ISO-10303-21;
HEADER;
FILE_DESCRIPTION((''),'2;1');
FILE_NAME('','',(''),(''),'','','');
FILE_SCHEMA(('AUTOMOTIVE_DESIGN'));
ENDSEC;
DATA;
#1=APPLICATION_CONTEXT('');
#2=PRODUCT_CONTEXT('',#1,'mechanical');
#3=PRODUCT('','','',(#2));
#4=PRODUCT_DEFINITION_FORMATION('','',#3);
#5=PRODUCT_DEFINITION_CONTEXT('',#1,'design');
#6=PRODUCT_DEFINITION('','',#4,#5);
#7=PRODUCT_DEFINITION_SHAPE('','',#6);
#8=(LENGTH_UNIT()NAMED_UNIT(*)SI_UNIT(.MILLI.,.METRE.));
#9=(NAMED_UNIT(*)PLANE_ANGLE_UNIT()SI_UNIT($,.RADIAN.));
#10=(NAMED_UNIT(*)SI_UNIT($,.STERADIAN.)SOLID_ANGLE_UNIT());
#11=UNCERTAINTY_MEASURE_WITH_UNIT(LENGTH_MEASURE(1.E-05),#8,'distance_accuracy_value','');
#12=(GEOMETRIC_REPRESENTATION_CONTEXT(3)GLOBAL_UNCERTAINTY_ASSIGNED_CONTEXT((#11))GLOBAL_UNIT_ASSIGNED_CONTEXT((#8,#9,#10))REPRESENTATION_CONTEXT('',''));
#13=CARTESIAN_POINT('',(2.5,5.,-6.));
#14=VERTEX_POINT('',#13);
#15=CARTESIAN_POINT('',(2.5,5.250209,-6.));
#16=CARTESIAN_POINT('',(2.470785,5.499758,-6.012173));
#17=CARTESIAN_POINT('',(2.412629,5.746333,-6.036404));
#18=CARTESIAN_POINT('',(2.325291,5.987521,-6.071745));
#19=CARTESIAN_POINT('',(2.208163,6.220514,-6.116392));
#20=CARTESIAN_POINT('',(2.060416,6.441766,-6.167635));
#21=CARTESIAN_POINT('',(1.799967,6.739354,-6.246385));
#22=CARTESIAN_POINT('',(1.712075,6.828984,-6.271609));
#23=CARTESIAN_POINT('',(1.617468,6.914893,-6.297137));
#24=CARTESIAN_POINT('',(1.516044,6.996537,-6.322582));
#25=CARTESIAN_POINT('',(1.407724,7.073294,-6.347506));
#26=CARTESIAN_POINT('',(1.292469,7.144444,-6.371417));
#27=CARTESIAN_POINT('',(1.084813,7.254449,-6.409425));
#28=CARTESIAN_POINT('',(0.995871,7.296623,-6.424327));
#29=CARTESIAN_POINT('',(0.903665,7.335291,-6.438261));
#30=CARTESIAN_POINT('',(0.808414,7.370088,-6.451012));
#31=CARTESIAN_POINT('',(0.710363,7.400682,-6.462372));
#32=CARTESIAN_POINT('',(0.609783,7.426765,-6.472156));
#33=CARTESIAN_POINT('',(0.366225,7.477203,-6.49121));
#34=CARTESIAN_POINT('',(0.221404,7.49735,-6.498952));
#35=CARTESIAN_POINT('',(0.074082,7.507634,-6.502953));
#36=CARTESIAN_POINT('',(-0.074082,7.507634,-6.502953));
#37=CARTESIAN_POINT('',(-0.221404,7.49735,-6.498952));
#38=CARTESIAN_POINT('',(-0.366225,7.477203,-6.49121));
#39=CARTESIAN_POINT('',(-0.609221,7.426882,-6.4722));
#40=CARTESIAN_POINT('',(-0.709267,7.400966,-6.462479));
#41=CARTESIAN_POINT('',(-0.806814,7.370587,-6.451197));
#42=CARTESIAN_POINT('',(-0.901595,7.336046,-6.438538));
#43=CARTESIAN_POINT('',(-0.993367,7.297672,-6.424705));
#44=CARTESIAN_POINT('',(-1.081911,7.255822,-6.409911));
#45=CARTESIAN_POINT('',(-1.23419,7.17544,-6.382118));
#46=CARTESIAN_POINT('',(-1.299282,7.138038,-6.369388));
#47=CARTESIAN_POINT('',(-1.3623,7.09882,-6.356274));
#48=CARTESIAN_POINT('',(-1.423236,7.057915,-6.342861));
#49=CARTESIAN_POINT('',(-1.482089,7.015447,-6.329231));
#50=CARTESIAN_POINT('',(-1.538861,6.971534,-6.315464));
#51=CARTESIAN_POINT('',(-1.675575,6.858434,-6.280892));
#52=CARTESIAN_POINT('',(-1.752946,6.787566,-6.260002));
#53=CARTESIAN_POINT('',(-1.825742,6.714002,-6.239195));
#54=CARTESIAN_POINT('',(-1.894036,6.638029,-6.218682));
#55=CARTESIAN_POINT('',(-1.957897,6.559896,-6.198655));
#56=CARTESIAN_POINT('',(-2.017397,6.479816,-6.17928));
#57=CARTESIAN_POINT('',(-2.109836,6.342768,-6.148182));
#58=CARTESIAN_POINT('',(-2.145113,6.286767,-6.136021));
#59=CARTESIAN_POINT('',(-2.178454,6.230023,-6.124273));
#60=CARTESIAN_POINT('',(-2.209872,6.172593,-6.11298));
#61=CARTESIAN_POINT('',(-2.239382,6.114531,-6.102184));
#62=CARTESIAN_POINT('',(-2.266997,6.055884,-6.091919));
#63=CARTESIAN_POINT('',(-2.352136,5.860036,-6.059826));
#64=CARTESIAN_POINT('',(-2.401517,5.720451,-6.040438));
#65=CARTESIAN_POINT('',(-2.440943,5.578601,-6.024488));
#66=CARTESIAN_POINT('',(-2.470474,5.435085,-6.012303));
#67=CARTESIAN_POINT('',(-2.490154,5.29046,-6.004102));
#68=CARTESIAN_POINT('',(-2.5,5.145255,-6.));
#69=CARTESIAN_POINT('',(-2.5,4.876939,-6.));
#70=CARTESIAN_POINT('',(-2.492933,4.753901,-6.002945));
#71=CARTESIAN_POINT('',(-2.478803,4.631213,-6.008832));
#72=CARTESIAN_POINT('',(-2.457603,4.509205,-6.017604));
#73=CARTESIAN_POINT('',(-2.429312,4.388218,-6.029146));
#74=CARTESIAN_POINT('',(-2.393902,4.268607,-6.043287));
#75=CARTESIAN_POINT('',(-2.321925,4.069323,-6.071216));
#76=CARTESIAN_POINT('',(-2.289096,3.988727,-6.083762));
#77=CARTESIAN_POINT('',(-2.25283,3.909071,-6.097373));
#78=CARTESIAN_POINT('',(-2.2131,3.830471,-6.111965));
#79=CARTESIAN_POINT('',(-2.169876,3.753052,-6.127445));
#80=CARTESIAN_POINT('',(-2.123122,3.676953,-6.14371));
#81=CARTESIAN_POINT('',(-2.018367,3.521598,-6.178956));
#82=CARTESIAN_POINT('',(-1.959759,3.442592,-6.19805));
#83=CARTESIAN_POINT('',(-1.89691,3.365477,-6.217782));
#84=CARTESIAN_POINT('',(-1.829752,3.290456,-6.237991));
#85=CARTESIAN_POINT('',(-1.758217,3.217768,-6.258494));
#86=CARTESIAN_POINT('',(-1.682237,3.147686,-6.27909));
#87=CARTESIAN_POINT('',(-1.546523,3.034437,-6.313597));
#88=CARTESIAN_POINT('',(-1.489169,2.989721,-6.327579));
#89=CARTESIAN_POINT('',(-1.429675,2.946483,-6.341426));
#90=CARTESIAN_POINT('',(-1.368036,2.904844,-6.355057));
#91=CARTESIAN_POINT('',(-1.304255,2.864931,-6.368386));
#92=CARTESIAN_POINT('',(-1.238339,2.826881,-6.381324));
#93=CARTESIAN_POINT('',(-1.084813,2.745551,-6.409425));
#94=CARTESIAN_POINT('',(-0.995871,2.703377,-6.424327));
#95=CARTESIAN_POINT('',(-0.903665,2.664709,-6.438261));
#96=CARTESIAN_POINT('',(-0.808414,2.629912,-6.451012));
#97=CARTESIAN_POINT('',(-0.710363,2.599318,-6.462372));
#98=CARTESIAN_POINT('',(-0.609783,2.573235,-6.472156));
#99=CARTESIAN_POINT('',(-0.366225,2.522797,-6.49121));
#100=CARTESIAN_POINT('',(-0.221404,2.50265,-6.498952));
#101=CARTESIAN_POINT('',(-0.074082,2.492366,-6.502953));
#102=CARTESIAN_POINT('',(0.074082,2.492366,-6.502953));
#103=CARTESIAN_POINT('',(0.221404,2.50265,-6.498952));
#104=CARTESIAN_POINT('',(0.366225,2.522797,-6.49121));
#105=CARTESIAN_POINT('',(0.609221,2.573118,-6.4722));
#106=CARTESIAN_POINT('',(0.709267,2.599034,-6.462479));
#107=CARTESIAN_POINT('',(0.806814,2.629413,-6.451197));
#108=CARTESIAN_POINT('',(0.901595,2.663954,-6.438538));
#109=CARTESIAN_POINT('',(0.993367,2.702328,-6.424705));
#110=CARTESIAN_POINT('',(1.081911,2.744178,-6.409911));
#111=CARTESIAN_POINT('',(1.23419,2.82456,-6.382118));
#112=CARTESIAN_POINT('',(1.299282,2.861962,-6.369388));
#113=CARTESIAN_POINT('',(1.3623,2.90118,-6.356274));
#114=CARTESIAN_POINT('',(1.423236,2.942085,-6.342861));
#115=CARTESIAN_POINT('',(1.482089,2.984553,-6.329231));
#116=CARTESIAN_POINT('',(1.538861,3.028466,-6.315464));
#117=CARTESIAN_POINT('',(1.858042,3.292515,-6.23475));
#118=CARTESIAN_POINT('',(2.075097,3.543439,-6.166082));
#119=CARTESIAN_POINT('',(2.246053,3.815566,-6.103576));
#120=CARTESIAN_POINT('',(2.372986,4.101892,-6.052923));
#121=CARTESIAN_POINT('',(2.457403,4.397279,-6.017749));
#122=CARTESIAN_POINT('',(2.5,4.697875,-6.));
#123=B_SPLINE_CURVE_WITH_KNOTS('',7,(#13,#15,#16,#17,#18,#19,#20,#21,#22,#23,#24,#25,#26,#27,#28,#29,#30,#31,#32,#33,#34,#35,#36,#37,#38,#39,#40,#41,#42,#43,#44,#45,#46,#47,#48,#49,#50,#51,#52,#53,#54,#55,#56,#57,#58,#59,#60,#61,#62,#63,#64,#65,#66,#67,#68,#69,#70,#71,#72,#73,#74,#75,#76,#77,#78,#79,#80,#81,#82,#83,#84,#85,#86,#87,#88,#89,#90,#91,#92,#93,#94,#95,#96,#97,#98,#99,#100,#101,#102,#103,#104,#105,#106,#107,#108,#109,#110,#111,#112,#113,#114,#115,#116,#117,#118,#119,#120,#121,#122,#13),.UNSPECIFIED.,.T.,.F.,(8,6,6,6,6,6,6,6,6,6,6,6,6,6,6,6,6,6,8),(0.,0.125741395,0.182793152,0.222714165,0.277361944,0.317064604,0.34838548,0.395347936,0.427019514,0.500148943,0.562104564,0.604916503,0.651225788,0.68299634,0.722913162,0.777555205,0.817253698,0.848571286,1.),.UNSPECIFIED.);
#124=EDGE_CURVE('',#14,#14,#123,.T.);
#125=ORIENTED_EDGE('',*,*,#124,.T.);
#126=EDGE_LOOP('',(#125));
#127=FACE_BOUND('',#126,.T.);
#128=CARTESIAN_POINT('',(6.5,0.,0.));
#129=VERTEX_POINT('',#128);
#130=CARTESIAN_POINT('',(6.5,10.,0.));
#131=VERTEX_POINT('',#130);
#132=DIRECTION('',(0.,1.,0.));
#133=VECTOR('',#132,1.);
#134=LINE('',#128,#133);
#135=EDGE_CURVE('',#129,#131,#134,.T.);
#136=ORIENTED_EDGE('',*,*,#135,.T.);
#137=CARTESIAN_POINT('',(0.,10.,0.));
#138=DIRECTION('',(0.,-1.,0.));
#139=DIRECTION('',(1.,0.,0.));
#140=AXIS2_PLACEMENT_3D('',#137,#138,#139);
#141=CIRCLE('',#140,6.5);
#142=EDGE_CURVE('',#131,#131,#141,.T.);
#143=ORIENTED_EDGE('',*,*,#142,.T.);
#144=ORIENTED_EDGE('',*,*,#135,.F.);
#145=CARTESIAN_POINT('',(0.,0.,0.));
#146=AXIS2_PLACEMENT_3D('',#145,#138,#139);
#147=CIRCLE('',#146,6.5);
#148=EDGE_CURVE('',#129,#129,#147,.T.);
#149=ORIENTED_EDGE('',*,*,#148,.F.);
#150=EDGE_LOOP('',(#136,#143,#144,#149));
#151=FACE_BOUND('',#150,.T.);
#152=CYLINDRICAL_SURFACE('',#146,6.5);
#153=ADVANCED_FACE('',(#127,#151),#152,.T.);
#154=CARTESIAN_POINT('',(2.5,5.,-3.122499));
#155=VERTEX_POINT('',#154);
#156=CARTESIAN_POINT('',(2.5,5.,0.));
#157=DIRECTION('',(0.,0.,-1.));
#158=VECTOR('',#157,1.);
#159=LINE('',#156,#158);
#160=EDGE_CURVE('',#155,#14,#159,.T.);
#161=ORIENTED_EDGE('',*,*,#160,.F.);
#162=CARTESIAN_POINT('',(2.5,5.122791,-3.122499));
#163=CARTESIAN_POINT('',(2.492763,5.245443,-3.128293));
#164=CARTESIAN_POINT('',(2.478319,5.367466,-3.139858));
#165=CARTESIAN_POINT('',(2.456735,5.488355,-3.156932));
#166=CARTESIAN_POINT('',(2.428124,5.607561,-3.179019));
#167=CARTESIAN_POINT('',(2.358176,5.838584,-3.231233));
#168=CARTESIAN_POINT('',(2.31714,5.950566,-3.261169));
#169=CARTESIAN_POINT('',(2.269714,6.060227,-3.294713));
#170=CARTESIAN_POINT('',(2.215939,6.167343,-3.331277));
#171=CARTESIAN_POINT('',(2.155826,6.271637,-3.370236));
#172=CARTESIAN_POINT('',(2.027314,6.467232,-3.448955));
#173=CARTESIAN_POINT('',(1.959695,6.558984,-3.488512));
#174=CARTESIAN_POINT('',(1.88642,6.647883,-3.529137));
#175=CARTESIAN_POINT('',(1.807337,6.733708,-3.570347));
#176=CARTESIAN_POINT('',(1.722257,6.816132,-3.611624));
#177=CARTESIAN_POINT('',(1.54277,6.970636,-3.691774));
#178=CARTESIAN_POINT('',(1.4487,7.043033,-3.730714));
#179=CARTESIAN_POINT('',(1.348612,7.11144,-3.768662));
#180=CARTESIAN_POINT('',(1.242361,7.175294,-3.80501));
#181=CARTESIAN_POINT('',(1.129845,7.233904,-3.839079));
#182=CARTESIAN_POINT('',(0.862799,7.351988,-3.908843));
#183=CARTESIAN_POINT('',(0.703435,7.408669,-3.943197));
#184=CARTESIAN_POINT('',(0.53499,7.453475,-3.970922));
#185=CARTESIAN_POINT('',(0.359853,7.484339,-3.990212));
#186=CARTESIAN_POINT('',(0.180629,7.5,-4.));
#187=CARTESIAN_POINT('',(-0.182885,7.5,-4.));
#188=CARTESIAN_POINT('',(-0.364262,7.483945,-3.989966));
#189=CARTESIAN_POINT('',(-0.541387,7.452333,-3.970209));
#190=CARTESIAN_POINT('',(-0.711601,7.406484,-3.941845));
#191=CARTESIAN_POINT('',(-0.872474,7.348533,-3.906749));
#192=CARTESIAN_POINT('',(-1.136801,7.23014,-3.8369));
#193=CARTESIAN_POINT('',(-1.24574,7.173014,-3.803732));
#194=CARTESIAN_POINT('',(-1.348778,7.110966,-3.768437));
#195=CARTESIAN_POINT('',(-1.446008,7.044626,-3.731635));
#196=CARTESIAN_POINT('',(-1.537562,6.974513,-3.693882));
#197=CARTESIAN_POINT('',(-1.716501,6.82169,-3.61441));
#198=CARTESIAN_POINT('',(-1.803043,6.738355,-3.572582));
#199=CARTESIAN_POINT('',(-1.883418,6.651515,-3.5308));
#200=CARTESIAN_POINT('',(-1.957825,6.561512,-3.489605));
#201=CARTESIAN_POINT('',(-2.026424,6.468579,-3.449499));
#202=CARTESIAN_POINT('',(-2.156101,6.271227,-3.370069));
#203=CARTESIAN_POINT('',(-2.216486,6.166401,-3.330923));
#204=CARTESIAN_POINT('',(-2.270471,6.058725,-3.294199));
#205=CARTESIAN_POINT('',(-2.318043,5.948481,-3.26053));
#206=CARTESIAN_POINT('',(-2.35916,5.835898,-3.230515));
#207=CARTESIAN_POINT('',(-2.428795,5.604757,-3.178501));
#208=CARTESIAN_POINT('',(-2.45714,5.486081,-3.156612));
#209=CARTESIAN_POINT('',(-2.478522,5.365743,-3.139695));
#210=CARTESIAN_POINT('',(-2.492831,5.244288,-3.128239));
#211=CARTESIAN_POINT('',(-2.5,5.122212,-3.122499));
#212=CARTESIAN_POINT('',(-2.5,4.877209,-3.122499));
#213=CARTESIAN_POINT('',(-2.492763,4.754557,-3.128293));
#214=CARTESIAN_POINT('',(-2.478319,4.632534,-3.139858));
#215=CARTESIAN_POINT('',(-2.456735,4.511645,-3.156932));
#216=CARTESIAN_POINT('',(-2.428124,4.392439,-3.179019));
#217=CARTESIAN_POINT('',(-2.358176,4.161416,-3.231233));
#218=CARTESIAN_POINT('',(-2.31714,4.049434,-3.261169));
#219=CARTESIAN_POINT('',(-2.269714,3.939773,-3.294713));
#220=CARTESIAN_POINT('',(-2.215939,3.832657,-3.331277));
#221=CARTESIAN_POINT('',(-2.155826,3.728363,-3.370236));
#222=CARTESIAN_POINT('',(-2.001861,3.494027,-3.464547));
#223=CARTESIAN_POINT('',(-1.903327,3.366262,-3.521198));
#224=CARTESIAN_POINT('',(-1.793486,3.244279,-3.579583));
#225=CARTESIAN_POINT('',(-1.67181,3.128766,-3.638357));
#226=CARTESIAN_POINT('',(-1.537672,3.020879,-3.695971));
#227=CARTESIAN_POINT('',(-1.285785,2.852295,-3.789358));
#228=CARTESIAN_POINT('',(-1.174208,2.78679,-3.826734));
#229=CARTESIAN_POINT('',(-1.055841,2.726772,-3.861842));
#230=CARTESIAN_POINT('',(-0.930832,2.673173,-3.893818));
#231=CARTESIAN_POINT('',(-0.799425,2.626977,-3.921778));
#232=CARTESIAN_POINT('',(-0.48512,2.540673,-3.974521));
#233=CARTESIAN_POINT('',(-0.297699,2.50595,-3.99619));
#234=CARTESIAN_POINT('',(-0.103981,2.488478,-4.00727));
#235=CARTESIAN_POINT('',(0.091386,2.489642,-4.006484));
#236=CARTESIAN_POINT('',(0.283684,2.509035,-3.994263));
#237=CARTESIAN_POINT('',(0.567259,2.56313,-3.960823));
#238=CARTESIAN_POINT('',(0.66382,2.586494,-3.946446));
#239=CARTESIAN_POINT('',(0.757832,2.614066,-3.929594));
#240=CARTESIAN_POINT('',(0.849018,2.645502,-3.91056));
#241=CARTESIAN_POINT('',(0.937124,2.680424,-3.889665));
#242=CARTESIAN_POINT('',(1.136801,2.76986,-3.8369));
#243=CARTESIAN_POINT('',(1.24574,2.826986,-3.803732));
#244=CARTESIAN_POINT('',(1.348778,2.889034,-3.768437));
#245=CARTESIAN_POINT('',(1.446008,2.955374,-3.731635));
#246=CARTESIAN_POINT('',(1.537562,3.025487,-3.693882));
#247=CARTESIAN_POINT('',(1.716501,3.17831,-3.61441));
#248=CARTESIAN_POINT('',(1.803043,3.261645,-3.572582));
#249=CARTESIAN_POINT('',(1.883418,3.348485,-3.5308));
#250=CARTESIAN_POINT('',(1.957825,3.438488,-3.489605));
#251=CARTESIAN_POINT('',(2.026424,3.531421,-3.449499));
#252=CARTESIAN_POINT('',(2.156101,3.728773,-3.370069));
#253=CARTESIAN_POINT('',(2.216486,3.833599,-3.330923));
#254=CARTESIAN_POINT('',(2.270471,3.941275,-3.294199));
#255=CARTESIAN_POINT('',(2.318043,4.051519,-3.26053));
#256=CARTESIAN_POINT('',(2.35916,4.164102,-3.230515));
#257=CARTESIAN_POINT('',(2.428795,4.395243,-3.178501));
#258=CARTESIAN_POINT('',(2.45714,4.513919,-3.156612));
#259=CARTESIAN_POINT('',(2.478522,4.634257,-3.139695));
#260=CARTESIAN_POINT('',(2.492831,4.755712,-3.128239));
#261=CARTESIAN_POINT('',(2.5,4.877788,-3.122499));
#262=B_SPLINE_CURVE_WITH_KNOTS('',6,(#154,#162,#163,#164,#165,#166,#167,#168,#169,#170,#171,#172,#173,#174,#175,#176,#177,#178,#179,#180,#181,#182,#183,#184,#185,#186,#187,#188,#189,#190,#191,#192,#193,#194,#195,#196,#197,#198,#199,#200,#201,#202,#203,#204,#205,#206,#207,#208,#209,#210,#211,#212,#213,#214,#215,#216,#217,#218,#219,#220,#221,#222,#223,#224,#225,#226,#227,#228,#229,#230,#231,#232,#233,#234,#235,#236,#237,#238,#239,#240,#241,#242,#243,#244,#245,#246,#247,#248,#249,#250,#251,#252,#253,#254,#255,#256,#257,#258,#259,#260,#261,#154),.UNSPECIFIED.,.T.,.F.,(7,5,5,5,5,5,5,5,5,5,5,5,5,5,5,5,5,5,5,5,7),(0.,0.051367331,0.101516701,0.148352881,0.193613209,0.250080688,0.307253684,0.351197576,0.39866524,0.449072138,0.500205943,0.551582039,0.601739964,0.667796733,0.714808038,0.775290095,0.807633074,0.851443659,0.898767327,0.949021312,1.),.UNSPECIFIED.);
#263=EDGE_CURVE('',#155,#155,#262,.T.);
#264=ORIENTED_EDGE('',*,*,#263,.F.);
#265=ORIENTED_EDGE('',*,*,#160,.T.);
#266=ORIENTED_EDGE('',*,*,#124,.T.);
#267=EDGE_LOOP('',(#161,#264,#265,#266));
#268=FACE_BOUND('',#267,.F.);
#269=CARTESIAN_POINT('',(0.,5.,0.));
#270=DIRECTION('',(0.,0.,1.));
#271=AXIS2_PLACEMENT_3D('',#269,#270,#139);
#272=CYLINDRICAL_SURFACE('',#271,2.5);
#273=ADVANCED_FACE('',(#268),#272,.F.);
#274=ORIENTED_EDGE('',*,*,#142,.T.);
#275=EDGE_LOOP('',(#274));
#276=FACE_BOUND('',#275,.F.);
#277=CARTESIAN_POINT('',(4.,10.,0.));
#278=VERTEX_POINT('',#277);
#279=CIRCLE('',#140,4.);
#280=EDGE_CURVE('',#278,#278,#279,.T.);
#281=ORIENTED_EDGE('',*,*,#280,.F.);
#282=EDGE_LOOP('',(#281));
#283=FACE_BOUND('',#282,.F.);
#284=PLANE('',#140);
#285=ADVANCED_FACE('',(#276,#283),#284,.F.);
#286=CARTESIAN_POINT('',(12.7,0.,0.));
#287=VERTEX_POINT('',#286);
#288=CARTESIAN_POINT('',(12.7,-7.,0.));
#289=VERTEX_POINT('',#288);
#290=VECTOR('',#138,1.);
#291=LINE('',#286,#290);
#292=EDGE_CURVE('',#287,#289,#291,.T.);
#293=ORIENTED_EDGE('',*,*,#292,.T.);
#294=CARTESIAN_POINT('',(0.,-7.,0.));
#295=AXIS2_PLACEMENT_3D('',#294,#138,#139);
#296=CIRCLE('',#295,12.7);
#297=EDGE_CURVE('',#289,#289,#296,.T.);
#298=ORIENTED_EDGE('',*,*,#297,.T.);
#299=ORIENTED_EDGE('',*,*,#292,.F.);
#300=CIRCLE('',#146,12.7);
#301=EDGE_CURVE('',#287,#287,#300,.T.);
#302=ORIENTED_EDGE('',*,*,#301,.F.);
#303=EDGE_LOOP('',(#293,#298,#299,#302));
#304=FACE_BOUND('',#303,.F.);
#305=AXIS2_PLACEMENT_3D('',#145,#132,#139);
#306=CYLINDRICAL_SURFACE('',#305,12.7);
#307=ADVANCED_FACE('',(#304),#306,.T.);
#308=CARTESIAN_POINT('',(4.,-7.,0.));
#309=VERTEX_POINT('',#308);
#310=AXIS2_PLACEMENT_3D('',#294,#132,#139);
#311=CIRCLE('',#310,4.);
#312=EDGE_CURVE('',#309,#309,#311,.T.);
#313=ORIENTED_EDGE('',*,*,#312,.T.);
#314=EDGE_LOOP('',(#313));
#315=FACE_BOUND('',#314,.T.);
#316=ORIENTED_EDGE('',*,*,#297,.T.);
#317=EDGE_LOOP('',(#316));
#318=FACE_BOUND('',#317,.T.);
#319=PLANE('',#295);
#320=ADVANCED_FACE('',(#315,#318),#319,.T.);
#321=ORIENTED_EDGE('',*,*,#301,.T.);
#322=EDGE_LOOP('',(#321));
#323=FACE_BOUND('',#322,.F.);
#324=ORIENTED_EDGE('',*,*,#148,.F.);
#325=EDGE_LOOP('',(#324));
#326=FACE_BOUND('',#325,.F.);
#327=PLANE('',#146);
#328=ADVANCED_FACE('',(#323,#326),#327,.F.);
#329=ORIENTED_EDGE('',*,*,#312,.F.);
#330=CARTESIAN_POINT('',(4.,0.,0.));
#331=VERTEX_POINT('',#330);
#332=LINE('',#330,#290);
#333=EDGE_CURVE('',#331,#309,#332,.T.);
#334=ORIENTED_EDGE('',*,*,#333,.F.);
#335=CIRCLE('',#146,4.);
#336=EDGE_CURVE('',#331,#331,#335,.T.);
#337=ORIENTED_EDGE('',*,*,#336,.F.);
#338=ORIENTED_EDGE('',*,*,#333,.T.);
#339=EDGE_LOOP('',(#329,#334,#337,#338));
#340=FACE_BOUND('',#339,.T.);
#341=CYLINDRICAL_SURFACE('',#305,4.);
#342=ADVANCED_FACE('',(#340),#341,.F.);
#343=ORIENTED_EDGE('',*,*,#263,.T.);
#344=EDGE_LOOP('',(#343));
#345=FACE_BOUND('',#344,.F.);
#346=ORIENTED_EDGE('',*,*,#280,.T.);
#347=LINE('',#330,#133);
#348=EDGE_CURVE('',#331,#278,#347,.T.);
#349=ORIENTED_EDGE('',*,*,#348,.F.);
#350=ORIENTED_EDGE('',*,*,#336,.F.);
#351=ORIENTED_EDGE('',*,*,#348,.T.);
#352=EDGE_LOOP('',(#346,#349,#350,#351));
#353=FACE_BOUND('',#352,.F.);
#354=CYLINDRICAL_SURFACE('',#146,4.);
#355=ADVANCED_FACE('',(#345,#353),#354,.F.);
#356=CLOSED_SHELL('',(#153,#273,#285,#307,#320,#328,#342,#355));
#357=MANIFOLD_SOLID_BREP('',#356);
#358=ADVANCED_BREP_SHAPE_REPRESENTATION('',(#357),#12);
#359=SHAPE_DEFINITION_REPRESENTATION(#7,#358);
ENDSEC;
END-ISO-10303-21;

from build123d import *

# Parameters (mm, degrees)
F0_R     = 12.7
F1_DEPTH = 7
F2_R     = 6.5
F3_DEPTH = 10
F4_R     = 4
F5_DEPTH = 10.001
F6_DEPTH = 7.001
F8_D     = 5
F8_DEPTH = 12.701


with BuildPart() as f1:
    # F0 (on Front) → F1 (new body)
    with BuildSketch(Plane.XZ):
        Circle(F0_R)
    extrude(amount=F1_DEPTH)

    # F2 (on Front) → F3 (join)
    with BuildSketch(Plane.XZ):
        Circle(F2_R)
    extrude(amount=-F3_DEPTH)

    # F4 (on Front) → F5 (cut, through all)
    with BuildSketch(Plane.XZ):
        Circle(F4_R)
    extrude(amount=-F5_DEPTH, mode=Mode.SUBTRACT)

    # F6 (cut, through all): a face of the model
    f6_faces = [f1.faces().sort_by_distance(p)[0] for p in [
        (0, 0, 0),
    ]]
    extrude(f6_faces, amount=-F6_DEPTH, mode=Mode.SUBTRACT)

    # F8 (through all, one way)
    with BuildSketch(Plane.XY):
        with Locations((0, 5)):
            Circle(F8_D / 2)
    extrude(amount=-F8_DEPTH, mode=Mode.SUBTRACT)


solid = f1.part
